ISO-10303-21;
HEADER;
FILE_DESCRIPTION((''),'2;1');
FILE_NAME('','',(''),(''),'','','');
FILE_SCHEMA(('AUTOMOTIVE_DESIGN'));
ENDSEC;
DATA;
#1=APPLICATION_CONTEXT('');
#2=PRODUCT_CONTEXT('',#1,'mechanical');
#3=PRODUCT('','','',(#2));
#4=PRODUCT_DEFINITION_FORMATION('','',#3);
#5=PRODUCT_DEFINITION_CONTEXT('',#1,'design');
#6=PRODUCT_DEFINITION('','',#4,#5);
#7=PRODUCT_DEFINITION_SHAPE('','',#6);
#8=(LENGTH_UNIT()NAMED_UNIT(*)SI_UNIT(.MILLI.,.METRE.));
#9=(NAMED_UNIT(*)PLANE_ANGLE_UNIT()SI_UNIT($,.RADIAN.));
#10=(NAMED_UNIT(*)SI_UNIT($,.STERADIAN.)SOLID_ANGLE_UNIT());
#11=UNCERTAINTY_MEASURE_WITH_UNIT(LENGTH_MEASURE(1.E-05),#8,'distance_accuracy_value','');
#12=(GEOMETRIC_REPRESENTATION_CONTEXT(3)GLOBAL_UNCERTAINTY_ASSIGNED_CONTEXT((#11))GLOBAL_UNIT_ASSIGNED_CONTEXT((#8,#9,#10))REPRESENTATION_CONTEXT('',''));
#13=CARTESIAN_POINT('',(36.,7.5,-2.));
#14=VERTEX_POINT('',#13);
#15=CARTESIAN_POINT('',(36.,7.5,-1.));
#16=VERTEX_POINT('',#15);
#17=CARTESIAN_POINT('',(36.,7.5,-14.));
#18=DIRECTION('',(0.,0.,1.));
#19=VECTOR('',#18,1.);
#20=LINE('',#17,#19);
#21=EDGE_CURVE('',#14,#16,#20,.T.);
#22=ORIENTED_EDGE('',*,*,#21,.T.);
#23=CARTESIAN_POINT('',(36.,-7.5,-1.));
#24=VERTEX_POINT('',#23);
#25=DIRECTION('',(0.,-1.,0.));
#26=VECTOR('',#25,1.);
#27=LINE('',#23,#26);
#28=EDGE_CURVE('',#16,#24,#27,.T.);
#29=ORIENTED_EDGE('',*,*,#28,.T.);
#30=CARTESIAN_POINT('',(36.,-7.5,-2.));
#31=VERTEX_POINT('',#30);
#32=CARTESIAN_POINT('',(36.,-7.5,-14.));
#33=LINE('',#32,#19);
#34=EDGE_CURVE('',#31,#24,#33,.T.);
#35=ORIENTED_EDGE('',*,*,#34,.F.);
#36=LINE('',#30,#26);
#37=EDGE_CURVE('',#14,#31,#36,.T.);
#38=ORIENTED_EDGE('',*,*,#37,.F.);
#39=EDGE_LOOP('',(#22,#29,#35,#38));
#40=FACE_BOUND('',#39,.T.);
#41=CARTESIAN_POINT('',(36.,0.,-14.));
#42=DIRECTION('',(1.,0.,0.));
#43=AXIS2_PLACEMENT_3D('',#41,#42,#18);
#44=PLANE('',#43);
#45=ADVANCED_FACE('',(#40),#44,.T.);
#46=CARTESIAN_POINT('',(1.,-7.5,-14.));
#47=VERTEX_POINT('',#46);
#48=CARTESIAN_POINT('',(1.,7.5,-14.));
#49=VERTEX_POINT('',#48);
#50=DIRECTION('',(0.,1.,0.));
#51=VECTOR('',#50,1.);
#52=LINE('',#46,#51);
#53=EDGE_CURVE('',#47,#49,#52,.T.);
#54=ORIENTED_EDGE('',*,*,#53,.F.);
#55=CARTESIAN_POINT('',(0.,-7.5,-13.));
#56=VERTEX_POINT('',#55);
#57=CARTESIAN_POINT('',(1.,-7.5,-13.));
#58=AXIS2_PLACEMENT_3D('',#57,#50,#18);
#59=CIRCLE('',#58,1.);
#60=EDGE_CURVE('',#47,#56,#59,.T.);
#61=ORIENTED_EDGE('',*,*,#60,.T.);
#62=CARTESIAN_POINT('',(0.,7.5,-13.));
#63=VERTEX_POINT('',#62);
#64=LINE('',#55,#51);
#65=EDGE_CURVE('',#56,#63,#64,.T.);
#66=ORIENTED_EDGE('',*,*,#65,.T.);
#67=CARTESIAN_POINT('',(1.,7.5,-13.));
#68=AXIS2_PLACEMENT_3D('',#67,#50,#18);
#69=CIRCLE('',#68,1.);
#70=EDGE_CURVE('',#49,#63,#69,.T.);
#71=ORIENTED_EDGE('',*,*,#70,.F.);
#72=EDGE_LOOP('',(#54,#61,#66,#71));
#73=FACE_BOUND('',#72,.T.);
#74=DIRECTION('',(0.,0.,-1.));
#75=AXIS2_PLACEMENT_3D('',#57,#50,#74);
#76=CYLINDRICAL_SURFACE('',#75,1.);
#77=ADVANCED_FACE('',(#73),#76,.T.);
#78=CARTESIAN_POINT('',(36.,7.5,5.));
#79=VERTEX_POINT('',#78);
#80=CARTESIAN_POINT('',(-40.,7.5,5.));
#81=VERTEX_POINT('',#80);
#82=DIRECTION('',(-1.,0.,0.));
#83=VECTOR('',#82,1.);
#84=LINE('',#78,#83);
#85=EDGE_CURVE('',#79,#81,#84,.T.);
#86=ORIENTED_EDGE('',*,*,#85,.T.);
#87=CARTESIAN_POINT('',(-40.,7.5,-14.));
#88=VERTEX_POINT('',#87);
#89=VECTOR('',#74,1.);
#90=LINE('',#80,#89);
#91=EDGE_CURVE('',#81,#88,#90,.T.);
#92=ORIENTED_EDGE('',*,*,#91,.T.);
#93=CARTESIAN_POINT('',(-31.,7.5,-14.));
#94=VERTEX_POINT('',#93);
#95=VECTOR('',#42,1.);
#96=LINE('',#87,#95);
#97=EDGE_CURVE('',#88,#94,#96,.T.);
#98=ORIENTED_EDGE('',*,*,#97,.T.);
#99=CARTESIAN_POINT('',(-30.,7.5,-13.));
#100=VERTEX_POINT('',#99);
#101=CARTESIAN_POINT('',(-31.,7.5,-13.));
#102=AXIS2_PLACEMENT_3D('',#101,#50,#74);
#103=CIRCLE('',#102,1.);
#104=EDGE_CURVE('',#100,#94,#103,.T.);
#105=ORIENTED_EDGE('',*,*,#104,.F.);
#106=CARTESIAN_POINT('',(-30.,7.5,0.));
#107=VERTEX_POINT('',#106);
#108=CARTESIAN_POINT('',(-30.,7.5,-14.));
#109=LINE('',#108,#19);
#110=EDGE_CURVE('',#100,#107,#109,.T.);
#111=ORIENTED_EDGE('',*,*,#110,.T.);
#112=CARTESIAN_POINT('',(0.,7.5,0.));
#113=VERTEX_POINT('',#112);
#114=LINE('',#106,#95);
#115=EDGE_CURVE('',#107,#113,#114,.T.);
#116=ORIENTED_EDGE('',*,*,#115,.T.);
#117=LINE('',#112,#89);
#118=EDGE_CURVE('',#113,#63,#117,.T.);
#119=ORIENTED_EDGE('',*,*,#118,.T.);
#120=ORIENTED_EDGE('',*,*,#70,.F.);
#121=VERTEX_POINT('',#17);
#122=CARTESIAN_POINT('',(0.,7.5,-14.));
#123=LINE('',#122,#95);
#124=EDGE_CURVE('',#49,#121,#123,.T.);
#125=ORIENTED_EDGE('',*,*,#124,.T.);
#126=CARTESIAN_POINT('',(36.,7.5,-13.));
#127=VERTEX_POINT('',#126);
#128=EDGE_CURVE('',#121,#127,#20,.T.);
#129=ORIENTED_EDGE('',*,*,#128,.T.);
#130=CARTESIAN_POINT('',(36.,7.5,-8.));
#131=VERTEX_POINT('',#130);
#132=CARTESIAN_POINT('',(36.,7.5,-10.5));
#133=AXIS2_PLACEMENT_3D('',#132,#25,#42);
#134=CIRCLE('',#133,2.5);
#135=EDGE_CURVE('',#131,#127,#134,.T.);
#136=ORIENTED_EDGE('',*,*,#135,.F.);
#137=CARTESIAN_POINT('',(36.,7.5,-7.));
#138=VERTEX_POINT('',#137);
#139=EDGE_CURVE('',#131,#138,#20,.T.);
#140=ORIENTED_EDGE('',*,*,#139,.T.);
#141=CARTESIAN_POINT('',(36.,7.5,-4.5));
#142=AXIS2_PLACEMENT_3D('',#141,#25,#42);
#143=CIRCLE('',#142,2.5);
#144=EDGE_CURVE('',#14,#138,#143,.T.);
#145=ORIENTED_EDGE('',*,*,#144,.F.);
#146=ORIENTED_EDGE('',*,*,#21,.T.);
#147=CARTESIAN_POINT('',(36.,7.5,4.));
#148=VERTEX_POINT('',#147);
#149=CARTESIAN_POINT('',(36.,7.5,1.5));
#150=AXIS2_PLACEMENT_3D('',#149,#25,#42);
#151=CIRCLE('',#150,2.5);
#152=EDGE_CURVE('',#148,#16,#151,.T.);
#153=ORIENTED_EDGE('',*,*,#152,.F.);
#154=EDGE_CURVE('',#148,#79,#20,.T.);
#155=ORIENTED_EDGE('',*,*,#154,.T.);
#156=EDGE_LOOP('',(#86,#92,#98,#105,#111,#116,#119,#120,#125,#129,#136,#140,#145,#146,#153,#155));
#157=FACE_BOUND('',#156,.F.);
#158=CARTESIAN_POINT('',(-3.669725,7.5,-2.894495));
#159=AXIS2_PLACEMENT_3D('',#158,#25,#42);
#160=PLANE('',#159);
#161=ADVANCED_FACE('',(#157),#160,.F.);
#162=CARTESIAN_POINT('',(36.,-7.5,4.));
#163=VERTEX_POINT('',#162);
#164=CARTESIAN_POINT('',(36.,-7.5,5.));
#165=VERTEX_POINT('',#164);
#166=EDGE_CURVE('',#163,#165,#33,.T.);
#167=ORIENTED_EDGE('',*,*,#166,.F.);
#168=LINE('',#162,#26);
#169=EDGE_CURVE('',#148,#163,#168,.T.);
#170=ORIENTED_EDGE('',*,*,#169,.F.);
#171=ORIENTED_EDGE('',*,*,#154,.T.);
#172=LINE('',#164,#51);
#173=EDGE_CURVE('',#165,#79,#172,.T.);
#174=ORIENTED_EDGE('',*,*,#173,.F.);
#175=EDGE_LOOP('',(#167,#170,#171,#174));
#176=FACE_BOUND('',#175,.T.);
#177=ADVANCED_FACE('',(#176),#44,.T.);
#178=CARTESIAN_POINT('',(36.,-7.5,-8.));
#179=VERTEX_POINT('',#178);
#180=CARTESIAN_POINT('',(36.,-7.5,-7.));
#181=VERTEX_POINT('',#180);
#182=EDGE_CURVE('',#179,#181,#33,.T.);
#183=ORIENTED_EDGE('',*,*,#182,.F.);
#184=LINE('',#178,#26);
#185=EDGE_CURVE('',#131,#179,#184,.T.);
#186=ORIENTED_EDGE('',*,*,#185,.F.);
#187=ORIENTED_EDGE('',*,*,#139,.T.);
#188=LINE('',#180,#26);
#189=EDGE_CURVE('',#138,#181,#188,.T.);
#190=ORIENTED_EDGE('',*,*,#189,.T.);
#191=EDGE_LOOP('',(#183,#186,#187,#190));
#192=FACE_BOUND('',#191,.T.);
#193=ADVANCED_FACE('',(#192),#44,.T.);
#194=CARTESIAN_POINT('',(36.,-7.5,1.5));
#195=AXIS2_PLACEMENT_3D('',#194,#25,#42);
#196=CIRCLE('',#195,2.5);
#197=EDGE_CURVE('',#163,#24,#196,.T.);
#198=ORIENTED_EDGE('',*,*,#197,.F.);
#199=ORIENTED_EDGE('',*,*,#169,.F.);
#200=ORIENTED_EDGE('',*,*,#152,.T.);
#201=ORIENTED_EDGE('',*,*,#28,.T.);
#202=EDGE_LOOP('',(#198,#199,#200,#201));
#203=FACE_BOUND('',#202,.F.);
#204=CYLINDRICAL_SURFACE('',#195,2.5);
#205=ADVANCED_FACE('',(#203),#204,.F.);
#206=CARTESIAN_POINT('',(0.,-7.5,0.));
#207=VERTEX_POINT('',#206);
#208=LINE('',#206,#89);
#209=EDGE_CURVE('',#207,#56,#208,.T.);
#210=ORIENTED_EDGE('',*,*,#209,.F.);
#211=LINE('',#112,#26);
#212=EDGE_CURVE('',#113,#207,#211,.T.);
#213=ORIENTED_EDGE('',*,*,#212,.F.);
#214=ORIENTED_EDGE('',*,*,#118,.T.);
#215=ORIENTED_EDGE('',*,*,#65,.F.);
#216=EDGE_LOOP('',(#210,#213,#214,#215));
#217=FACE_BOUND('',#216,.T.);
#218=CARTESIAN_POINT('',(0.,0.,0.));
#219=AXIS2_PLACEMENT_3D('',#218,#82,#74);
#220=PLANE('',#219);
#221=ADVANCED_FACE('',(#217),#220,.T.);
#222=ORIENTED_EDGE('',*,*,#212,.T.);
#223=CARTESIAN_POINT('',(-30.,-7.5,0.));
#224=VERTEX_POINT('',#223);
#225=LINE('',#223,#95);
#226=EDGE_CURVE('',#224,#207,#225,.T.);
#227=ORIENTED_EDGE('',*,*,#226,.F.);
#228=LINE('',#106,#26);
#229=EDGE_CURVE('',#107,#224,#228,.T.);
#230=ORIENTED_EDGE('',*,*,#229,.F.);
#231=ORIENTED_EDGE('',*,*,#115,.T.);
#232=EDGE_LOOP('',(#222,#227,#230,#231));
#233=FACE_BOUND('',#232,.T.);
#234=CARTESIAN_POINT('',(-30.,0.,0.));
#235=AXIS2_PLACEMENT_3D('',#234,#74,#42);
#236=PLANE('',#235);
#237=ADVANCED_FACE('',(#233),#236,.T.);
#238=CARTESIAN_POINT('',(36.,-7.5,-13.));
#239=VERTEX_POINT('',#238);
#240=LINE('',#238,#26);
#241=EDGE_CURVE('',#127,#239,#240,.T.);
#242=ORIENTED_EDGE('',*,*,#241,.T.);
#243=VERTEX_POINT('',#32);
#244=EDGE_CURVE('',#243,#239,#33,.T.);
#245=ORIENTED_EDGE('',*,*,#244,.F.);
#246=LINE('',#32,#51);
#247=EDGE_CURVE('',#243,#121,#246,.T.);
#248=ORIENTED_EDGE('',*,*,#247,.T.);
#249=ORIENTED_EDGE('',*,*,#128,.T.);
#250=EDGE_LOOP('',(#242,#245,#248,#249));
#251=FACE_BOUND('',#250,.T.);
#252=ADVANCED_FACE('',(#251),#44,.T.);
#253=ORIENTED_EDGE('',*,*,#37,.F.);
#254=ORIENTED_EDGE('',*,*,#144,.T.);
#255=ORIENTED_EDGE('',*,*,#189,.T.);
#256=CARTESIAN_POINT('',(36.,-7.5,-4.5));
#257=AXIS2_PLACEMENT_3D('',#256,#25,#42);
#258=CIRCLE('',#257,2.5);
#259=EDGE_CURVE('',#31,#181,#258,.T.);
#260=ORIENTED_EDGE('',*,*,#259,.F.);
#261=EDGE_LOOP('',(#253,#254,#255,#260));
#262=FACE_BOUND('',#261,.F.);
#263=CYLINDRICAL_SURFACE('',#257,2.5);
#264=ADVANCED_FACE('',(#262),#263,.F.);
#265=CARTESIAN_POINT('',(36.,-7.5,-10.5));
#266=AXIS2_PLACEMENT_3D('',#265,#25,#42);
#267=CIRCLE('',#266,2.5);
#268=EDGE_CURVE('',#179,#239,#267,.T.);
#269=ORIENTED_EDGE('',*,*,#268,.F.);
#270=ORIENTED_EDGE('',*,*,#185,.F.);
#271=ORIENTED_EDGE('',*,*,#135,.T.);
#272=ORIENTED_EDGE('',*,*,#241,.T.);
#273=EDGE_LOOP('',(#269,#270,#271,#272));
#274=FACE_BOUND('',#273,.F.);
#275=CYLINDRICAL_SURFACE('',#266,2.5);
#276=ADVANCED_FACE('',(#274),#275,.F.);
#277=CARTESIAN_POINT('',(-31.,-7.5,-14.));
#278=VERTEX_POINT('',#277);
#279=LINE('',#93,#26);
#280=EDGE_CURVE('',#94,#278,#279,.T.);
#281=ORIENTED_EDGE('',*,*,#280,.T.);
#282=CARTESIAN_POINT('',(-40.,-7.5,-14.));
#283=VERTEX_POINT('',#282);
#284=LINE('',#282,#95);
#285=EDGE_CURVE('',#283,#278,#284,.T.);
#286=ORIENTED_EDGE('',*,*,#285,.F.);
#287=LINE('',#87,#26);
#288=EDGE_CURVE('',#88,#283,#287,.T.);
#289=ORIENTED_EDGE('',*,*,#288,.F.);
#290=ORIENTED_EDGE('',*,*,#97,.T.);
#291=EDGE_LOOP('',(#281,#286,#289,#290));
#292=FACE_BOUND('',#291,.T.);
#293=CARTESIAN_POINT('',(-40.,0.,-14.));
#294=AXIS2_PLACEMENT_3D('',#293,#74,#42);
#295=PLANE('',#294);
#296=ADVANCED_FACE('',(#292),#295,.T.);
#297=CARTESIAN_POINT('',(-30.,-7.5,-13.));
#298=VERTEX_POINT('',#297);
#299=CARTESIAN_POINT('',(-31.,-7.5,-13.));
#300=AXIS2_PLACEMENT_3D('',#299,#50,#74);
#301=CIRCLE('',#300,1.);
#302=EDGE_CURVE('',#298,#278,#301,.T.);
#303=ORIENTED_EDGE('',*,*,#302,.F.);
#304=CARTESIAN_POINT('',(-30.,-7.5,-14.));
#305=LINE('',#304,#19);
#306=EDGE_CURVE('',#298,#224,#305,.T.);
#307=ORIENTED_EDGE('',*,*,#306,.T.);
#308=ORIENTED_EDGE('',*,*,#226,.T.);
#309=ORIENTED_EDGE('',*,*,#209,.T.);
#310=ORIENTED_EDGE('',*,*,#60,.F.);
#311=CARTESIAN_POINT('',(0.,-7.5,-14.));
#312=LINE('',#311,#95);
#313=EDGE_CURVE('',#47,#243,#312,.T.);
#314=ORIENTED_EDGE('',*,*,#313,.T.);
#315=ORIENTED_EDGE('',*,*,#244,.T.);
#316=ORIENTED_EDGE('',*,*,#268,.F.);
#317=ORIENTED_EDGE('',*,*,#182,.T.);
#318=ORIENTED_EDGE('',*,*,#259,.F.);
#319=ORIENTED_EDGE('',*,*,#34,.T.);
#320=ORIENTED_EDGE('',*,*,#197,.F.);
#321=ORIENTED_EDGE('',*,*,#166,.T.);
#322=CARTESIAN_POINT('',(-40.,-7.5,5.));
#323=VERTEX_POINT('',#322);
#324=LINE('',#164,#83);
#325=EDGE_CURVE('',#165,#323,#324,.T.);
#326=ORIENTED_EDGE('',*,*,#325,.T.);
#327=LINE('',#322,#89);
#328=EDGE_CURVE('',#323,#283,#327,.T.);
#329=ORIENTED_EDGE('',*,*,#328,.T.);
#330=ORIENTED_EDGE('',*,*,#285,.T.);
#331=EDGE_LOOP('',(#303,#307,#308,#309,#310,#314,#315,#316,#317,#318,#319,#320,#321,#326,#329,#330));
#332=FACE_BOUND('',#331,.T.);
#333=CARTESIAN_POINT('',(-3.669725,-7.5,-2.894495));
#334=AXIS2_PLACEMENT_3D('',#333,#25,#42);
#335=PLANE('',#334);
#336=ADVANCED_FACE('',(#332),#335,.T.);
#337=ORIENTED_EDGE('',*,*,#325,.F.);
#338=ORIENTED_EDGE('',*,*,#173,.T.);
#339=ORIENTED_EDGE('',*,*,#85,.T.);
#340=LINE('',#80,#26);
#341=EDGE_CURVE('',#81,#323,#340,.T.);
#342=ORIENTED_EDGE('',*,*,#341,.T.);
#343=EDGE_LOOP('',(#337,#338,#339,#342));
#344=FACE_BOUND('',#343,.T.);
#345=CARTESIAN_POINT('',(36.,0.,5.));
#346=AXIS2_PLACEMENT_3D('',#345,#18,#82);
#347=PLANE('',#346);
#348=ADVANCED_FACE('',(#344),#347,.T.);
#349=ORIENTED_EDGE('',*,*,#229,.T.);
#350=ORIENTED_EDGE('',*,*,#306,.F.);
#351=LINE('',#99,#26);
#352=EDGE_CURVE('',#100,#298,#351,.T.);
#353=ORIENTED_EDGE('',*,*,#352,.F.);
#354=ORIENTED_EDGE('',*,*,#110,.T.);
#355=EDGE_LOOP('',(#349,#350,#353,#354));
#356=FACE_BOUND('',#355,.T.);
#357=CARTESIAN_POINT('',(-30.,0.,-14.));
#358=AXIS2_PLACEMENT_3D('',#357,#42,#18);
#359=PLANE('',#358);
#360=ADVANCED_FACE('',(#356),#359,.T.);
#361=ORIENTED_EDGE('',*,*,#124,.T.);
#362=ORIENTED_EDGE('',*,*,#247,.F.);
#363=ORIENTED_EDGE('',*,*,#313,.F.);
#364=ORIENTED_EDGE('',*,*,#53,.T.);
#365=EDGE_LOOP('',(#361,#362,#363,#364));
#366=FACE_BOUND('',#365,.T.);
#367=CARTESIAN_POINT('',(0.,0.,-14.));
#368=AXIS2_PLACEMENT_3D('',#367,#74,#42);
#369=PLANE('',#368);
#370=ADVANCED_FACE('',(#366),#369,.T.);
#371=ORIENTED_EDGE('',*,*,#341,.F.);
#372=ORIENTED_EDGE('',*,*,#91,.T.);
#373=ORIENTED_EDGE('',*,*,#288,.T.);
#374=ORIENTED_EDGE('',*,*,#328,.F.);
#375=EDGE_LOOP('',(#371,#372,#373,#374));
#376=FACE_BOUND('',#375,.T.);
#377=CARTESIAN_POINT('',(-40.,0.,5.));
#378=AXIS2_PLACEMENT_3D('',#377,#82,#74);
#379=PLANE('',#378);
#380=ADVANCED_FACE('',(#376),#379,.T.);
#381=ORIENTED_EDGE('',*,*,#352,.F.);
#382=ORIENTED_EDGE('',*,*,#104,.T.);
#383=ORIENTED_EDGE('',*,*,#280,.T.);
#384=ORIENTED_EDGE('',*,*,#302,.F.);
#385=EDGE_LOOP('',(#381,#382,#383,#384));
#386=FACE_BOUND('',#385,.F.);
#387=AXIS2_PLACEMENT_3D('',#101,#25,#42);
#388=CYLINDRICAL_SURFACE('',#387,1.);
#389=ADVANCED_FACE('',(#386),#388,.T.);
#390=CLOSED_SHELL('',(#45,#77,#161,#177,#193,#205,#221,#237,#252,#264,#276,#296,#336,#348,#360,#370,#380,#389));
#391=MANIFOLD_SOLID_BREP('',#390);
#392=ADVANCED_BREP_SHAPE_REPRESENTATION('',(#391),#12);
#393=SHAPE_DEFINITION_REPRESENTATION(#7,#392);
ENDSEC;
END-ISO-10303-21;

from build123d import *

# Parameters (mm, degrees)
F1_DEPTH      = 7.5
F1_DEPTH_BACK = 7.5
F2_R          = 2.5
F3_DEPTH      = 15.001
F4_R          = 1


with BuildPart() as f1:
    # F0 (on Front) → F1 (new body, two sides)
    with BuildSketch(Plane.XZ) as f1_sk:
        Polygon((36, 5), (-40, 5), (-40, -14), (-30, -14), (-30, 0), (0, 0), (0, -14), (36, -14), align=None)
    extrude(amount=F1_DEPTH)
    extrude(f1_sk.sketch, amount=-F1_DEPTH_BACK)

    # F2 (on face) → F3 (cut, through all)
    with BuildSketch(Plane.XZ.offset(7.5)):
        with Locations((36, 1.5)):
            Circle(F2_R)
        with Locations((36, -4.5)):
            Circle(F2_R)
        with Locations((36, -10.5)):
            Circle(F2_R)
    extrude(amount=-F3_DEPTH, mode=Mode.SUBTRACT)

    # F4
    f4_edges = [f1.edges().sort_by_distance(p)[0] for p in [
        (-30, 0, -14),
        (0, 0, -14),
    ]]
    fillet(f4_edges, radius=F4_R)


solid = f1.part
